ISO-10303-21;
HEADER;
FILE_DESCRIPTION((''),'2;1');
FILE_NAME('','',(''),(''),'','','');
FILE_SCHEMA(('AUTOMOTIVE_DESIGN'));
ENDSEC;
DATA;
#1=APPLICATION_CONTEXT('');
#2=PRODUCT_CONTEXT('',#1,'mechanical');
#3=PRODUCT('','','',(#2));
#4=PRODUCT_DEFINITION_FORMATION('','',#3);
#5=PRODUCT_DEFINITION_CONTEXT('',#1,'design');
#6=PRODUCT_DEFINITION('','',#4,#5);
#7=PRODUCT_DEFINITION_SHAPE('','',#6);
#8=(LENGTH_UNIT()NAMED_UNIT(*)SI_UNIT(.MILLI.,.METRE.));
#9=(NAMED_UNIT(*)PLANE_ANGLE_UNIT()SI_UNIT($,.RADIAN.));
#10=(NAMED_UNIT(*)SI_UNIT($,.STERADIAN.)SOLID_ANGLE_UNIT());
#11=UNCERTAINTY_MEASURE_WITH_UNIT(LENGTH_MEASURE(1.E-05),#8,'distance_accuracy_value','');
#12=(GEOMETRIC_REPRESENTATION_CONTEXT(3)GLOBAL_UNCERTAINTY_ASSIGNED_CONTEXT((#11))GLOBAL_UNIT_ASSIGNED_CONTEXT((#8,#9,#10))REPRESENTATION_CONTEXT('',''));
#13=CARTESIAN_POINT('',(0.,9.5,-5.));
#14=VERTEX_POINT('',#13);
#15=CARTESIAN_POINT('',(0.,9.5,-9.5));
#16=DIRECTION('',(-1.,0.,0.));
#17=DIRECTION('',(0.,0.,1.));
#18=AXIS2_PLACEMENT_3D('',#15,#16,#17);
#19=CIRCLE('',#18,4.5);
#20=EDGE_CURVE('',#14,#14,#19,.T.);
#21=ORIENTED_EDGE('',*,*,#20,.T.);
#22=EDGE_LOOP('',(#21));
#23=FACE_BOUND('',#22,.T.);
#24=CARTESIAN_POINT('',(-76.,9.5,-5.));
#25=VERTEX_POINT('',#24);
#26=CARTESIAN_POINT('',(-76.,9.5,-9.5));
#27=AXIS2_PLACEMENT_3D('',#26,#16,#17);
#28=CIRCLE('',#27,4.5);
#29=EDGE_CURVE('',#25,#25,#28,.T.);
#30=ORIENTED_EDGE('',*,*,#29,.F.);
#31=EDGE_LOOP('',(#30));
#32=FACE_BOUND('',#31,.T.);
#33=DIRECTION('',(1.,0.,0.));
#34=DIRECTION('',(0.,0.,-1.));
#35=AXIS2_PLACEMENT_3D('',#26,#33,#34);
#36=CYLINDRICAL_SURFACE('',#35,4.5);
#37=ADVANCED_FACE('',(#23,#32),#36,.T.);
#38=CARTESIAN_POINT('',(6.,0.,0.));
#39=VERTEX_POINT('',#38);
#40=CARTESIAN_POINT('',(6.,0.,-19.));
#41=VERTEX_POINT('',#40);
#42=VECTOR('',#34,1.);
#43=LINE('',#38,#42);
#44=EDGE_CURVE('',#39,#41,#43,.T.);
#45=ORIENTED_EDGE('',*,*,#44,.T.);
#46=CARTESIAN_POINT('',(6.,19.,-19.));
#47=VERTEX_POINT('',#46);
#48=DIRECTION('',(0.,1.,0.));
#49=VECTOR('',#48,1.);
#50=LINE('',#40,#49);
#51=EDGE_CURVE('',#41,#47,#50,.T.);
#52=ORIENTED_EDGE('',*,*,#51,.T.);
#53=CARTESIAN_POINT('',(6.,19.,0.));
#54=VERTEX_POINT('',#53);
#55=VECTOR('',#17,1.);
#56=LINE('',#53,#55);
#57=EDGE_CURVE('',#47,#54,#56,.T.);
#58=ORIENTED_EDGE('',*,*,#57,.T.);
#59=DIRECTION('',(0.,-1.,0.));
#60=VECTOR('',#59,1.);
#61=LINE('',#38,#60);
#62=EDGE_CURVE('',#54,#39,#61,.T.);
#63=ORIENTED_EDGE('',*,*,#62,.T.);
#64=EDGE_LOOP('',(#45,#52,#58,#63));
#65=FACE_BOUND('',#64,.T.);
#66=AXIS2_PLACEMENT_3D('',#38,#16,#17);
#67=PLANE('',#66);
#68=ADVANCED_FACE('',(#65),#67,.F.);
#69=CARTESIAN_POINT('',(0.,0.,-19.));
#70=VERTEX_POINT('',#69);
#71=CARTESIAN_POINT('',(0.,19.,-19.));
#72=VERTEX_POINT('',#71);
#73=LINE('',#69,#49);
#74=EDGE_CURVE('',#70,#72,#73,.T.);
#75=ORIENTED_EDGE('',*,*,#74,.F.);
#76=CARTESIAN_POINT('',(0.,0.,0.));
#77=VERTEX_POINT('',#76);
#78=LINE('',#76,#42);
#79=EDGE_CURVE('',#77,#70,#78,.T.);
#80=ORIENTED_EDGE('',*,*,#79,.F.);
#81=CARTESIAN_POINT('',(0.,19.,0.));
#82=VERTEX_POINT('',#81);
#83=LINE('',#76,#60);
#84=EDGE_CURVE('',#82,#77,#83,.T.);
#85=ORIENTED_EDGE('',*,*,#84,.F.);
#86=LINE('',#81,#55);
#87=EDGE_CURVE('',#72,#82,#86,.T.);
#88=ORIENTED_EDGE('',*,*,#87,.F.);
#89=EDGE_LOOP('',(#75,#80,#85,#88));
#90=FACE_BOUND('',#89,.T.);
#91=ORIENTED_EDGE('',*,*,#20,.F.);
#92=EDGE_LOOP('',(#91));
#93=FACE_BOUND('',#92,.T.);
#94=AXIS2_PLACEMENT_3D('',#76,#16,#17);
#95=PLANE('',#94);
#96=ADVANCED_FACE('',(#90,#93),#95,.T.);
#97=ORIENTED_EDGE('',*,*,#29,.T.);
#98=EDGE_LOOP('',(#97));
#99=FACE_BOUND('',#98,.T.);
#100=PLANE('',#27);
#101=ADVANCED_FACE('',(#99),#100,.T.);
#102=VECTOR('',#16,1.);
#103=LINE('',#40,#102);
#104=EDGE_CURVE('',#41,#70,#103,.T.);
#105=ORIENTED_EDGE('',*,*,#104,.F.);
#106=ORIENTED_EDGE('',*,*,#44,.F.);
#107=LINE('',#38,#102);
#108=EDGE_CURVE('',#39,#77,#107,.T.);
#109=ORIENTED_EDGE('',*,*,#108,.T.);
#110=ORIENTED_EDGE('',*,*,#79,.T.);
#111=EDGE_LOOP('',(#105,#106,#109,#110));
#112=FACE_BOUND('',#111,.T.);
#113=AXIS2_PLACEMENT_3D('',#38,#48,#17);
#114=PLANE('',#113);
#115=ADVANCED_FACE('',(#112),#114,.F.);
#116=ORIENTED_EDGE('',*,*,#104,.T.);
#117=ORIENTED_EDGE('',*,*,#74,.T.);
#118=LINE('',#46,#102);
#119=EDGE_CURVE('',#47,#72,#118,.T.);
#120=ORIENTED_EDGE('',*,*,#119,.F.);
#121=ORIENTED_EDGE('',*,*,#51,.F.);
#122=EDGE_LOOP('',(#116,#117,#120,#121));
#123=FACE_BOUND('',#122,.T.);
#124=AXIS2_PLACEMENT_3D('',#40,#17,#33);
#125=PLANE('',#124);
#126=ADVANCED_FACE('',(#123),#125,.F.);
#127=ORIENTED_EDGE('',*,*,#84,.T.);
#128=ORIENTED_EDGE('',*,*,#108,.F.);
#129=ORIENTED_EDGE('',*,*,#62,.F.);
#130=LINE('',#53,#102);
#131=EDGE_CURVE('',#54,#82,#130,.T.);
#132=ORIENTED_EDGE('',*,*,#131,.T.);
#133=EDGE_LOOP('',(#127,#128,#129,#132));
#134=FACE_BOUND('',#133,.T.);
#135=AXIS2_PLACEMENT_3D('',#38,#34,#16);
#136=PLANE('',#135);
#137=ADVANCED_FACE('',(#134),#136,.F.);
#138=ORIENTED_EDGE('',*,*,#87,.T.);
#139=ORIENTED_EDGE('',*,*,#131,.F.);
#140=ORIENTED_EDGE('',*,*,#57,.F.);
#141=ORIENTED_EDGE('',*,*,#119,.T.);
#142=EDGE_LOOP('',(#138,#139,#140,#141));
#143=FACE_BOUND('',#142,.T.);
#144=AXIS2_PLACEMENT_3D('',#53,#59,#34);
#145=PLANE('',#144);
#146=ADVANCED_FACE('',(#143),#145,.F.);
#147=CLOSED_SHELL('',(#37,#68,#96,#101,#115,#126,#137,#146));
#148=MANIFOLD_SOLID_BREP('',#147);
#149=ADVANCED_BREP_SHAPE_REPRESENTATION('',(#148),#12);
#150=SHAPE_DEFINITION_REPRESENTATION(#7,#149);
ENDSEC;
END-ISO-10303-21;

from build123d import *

# Parameters (mm, degrees)
SKETCH2_W           = 19
SKETCH2_H           = 19
BOSS_EXTRUDE1_DEPTH = 6
SKETCH3_R           = 4.5
BOSS_EXTRUDE2_DEPTH = 76


with BuildPart() as part:
    # Sketch2 → Boss-Extrude1 (new body)
    with BuildSketch(Plane(origin=(0, 0, 0), x_dir=(0, 0, -1), z_dir=(1, 0, 0))):
        with Locations((9.5, 9.5)):
            Rectangle(SKETCH2_W, SKETCH2_H)
    extrude(amount=BOSS_EXTRUDE1_DEPTH)

    # Sketch3 → Boss-Extrude2 (add)
    with BuildSketch(Plane.ZY):
        with Locations((-9.5, 9.5)):
            Circle(SKETCH3_R)
    extrude(amount=BOSS_EXTRUDE2_DEPTH)


solid = part.part
